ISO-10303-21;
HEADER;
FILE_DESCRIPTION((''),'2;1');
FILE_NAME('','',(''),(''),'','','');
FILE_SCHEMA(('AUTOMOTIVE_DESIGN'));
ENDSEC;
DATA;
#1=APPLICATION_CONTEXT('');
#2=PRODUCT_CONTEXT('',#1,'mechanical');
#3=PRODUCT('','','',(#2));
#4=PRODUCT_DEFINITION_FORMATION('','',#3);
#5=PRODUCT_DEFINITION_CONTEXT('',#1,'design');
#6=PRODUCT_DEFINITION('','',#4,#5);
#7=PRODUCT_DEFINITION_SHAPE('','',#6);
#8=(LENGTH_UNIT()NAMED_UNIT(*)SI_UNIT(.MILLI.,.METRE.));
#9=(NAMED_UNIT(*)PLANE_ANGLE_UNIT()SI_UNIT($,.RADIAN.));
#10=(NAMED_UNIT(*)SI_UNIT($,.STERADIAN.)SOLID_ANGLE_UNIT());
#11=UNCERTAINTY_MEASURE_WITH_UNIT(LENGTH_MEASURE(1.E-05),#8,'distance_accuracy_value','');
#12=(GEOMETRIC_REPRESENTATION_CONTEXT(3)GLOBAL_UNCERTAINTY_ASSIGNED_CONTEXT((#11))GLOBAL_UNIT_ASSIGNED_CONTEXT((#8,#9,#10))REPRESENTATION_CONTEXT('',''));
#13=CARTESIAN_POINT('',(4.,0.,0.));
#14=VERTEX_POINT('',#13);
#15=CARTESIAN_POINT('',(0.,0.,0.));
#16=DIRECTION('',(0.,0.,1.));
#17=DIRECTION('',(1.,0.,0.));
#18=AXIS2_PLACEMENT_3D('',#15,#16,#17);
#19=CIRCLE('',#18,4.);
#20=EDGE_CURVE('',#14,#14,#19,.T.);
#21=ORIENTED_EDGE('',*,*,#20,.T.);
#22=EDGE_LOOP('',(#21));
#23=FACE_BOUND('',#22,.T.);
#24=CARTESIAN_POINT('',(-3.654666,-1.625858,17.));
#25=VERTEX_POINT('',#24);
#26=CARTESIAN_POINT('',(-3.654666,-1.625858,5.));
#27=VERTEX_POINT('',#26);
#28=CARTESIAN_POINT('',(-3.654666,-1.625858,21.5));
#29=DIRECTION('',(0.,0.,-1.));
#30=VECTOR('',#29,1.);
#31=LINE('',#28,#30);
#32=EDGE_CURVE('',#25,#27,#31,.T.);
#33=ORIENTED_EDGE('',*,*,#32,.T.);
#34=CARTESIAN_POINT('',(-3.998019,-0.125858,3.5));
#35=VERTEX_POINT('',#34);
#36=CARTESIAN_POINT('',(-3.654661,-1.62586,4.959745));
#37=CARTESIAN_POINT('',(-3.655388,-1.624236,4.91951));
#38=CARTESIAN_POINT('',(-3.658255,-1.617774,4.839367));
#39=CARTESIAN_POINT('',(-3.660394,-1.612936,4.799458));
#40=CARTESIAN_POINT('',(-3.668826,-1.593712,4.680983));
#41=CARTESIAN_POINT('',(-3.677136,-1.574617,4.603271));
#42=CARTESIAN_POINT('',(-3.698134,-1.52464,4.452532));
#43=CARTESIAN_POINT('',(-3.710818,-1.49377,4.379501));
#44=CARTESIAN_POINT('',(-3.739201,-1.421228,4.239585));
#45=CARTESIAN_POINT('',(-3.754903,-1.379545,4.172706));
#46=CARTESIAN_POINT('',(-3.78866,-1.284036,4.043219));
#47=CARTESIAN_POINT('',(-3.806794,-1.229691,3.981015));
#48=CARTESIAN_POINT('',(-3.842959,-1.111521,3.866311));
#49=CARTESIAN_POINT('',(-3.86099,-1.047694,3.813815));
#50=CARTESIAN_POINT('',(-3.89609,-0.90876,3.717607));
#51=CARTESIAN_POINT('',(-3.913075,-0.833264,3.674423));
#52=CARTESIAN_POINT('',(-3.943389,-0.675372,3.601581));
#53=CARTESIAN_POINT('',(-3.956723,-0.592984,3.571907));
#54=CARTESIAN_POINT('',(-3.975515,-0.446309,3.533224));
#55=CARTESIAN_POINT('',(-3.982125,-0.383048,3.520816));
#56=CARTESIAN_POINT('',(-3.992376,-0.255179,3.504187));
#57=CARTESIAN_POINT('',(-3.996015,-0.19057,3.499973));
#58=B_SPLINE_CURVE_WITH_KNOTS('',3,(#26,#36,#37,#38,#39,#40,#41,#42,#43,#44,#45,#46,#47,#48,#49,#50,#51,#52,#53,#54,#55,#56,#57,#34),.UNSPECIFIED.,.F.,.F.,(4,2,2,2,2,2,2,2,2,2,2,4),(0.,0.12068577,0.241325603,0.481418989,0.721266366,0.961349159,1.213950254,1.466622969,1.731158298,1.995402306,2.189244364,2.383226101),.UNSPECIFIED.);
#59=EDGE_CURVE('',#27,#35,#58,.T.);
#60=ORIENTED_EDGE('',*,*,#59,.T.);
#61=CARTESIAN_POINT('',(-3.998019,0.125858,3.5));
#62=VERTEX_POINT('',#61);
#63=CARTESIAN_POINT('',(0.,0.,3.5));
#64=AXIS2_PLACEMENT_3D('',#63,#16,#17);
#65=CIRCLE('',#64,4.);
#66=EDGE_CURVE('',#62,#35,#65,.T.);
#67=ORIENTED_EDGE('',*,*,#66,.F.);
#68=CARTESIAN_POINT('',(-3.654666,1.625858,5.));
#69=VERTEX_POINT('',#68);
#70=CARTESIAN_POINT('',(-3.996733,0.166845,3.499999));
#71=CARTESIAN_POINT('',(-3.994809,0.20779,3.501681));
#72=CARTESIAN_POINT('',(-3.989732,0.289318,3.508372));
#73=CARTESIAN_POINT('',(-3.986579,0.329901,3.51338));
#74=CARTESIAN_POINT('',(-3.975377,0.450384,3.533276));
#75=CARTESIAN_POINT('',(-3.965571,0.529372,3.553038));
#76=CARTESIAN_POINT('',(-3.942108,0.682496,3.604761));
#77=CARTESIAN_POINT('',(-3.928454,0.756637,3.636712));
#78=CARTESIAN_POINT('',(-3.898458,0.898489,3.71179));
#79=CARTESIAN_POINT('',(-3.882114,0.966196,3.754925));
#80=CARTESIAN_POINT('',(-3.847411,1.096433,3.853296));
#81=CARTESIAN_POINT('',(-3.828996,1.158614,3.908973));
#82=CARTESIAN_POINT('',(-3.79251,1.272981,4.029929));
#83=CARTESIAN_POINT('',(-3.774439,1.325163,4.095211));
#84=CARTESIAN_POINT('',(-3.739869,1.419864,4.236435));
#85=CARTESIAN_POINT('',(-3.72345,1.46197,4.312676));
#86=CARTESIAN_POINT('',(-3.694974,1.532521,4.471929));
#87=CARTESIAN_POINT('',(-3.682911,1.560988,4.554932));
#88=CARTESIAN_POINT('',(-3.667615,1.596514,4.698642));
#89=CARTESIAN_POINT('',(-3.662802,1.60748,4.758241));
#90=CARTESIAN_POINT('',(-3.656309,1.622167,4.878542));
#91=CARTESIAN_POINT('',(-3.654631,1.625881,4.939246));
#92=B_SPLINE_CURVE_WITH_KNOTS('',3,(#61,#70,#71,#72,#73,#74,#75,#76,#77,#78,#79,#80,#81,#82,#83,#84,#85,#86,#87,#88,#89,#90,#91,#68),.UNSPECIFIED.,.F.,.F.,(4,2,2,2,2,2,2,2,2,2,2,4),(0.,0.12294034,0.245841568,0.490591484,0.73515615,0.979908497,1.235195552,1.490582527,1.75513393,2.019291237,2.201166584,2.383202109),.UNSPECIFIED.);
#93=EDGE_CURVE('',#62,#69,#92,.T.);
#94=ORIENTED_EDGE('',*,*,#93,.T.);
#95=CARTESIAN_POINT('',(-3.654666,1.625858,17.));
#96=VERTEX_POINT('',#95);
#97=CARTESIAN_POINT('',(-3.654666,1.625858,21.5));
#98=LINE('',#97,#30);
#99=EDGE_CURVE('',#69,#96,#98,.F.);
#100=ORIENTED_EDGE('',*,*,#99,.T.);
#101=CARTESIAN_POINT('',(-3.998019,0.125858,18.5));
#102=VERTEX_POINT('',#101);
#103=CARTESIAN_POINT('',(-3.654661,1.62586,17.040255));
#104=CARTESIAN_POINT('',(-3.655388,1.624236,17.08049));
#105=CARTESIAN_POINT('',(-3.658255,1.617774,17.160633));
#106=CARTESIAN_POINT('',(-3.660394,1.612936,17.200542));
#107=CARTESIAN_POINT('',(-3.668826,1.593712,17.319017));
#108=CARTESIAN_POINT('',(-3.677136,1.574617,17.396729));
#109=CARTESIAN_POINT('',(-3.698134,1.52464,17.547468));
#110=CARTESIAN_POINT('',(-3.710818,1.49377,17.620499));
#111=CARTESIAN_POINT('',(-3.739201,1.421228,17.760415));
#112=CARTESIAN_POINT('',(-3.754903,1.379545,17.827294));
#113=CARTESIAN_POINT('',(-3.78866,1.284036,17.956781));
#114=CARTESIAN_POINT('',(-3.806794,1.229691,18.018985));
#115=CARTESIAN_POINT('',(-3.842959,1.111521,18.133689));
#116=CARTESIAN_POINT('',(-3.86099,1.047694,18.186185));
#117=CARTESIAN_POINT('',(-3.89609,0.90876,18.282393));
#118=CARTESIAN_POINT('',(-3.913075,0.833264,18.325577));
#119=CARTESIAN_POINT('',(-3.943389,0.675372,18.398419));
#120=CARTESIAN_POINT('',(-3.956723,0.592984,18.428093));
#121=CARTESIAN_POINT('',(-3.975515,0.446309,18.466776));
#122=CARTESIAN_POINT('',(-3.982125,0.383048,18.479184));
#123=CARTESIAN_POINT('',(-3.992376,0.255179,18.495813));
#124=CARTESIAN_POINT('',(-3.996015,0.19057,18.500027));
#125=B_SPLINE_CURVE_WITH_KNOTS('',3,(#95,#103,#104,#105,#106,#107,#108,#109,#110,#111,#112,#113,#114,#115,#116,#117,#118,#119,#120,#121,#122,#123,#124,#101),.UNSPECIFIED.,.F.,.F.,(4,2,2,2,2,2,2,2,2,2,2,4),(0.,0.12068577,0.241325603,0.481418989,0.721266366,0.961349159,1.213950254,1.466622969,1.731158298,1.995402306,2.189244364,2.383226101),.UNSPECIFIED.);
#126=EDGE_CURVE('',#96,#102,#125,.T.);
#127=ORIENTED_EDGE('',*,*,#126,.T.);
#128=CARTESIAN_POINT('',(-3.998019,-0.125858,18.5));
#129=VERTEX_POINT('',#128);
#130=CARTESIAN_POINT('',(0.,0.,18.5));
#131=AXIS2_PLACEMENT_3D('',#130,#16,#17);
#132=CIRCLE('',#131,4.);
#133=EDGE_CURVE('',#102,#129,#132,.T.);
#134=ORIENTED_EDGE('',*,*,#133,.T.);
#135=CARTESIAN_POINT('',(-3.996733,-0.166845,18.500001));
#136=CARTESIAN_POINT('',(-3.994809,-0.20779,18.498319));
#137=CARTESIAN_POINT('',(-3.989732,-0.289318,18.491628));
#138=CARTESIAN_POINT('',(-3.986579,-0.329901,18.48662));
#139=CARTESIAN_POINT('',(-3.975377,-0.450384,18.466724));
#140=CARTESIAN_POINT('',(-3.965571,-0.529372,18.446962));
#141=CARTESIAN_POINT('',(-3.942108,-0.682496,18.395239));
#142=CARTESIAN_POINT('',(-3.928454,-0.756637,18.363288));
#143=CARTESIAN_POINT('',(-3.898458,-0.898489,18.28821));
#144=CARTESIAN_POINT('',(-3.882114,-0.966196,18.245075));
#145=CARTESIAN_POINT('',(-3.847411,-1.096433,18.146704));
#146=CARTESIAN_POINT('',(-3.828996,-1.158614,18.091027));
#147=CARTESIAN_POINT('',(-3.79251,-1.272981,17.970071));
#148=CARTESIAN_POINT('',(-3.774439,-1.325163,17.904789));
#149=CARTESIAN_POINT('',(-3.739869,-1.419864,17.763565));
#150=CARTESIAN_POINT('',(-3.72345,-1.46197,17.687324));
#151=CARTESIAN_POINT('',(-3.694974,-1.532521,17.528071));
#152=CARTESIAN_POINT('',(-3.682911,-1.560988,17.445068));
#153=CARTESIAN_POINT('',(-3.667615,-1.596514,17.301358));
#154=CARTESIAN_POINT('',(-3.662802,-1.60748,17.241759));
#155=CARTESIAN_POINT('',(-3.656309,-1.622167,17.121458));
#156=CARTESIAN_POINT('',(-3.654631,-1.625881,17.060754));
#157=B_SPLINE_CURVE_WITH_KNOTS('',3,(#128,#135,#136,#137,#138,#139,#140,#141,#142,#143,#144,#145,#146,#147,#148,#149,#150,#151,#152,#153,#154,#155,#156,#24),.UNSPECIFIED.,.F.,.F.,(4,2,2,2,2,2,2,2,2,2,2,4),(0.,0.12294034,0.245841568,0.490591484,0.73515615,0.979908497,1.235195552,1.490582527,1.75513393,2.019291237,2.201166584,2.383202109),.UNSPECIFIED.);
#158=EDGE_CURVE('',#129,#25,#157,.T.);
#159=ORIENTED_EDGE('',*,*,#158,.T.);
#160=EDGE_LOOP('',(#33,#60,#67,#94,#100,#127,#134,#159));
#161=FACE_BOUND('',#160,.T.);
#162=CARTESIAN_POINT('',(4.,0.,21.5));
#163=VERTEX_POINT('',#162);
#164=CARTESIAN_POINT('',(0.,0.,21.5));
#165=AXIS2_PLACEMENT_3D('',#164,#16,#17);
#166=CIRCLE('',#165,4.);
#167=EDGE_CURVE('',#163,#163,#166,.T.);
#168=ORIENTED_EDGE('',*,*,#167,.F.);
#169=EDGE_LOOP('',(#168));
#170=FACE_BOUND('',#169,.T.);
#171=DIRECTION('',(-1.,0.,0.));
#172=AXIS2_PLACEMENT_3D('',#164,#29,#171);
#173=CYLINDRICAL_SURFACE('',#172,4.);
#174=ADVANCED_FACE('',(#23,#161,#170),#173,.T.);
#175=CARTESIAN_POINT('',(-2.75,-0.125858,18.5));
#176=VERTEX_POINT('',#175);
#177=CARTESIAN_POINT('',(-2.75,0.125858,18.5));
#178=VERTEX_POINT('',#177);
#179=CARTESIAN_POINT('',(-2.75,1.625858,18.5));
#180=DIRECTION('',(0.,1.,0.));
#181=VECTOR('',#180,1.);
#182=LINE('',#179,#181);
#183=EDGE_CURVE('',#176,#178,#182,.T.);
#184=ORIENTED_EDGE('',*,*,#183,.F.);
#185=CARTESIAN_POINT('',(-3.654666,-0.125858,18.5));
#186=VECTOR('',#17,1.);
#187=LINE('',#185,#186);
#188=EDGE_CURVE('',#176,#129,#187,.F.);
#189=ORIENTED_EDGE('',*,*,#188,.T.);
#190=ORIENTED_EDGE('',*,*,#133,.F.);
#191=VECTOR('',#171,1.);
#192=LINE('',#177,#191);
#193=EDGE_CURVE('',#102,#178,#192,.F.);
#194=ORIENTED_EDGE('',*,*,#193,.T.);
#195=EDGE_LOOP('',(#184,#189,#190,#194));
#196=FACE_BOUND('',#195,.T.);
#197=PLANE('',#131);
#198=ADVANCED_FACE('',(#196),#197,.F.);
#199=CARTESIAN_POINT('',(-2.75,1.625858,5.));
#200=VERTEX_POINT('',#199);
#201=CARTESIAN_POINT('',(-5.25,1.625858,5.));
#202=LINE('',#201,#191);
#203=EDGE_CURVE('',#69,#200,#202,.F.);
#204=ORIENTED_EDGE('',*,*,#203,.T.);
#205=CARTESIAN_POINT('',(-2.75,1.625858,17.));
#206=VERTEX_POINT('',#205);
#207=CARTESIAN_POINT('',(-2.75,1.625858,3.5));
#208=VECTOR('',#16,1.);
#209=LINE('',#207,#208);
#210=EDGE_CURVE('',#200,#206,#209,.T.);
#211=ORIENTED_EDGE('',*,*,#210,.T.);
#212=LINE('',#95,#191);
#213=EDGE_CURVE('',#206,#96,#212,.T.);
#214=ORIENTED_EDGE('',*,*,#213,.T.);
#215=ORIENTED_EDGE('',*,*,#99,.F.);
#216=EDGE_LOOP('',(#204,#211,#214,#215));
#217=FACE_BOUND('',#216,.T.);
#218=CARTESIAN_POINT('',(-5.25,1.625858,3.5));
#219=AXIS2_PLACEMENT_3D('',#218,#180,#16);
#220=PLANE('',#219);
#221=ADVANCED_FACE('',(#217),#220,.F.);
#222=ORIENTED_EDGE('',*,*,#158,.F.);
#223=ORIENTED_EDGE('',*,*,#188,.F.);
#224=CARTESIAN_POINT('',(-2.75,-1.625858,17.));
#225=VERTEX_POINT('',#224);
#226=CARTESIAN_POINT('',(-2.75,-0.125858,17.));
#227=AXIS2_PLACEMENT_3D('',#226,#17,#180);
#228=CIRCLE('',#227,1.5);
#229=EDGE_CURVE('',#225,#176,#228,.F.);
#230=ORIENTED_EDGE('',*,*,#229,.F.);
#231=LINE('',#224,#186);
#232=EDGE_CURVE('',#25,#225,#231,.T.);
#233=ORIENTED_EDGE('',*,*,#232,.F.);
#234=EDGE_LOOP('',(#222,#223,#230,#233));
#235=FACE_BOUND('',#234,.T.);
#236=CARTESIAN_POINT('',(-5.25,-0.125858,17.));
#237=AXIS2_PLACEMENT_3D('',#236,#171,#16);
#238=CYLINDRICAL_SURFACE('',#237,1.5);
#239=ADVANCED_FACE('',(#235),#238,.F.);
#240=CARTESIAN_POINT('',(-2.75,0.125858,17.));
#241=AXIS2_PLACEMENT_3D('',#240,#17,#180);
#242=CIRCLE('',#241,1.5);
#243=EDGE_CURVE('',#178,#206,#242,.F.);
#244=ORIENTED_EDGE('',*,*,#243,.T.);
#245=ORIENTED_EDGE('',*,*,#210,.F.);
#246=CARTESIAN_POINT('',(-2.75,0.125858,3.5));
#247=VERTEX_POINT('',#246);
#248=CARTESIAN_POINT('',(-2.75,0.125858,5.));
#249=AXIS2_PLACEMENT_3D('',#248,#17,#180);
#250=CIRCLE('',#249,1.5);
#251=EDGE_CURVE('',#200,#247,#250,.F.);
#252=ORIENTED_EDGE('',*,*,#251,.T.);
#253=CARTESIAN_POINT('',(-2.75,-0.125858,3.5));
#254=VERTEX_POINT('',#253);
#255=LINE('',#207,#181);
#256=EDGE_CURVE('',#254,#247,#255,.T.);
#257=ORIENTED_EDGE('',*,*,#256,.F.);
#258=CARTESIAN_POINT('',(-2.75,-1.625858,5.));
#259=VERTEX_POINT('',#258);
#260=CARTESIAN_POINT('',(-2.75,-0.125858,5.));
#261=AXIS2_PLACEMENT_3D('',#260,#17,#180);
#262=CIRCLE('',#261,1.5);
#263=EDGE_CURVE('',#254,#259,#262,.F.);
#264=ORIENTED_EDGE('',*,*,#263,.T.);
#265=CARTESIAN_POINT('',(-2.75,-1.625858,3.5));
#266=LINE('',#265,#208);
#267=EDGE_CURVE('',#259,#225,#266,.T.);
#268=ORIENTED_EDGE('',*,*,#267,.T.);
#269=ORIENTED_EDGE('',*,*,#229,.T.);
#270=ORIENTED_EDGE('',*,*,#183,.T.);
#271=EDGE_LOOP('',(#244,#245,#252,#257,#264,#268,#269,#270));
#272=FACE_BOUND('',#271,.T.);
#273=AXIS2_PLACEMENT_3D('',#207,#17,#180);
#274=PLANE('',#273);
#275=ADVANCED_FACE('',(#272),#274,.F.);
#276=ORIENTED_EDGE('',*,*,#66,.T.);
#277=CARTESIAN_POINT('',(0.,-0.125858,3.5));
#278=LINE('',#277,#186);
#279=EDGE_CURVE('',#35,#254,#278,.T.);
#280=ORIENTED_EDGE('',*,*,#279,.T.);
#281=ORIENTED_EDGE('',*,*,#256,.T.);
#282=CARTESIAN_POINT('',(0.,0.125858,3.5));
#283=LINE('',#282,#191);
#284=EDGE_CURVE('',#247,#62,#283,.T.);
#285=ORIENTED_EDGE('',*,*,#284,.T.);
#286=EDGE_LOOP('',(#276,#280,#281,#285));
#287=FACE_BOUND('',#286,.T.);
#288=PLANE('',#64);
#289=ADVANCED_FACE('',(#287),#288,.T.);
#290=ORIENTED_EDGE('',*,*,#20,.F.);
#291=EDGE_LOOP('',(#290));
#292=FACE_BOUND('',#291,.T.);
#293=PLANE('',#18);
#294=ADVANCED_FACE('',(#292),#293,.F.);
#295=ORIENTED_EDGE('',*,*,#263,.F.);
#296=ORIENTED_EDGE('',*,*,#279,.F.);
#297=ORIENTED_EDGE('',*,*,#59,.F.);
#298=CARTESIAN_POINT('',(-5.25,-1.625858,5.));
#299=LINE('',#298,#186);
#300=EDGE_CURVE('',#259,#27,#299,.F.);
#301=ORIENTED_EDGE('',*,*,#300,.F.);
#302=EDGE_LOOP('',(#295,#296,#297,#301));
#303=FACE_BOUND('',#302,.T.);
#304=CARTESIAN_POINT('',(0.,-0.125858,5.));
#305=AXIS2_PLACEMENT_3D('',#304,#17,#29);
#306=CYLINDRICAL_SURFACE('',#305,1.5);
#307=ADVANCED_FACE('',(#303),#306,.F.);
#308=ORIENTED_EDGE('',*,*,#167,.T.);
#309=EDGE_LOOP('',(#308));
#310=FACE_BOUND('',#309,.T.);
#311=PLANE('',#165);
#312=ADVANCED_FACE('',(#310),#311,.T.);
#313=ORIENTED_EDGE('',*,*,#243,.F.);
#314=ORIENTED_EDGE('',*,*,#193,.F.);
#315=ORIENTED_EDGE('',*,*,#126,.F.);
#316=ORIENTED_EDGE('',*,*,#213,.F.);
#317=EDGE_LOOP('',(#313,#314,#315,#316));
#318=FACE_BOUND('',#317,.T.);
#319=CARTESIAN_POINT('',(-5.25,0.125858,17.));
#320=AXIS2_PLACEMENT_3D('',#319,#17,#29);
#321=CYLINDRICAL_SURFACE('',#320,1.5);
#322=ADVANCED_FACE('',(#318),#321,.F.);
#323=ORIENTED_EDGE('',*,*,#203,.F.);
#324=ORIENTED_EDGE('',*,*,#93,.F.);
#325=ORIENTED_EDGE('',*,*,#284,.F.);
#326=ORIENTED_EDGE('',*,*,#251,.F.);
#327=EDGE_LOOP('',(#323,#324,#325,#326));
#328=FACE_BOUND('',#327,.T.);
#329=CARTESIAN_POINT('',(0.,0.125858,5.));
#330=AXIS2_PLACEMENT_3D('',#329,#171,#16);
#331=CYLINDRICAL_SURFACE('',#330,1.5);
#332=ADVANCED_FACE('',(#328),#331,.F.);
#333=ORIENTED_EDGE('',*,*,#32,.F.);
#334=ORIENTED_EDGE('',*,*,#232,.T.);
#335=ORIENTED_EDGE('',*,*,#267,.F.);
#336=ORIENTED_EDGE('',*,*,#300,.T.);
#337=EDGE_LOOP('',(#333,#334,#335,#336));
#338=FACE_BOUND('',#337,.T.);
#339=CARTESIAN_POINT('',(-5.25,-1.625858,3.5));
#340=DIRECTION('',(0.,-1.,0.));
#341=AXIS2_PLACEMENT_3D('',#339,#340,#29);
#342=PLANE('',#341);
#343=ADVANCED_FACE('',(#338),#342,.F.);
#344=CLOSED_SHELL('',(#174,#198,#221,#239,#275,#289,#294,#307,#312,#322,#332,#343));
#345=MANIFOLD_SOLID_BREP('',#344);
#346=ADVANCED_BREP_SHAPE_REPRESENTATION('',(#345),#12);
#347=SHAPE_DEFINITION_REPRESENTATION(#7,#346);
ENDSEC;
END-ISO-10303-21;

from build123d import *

# Parameters (mm, degrees)
SKETCH1_R           = 4
BOSS_EXTRUDE1_DEPTH = 21.5
CUT_EXTRUDE1_START  = -3
SKETCH2_W           = 2.50000008
SKETCH2_H           = 3.251715676
CUT_EXTRUDE1_DEPTH  = 15
FILLET2_R           = 1.5
FILLET3_R           = 1.5


with BuildPart() as part:
    # Sketch1 → Boss-Extrude1 (new body)
    with BuildSketch(Plane.XY):
        Circle(SKETCH1_R)
    extrude(amount=BOSS_EXTRUDE1_DEPTH)

    # Sketch2 → Cut-Extrude1 (cut)
    with BuildSketch(Plane.XY.offset(21.5).offset(CUT_EXTRUDE1_START)):
        with Locations((-4, 0)):
            Rectangle(SKETCH2_W, SKETCH2_H)
    extrude(amount=-CUT_EXTRUDE1_DEPTH, mode=Mode.SUBTRACT)

    # Fillet2
    fillet2_edges = [part.edges().sort_by_distance(p)[0] for p in [
        (-3.202333166, -1.625857838, 3.5),
        (-3.202333166, 1.625857838, 3.5),
    ]]
    fillet(fillet2_edges, radius=FILLET2_R)

    # Fillet3
    fillet3_edges = [part.edges().sort_by_distance(p)[0] for p in [
        (-3.202333166, 1.625857838, 18.5),
        (-3.202333166, -1.625857838, 18.5),
    ]]
    fillet(fillet3_edges, radius=FILLET3_R)


solid = part.part
